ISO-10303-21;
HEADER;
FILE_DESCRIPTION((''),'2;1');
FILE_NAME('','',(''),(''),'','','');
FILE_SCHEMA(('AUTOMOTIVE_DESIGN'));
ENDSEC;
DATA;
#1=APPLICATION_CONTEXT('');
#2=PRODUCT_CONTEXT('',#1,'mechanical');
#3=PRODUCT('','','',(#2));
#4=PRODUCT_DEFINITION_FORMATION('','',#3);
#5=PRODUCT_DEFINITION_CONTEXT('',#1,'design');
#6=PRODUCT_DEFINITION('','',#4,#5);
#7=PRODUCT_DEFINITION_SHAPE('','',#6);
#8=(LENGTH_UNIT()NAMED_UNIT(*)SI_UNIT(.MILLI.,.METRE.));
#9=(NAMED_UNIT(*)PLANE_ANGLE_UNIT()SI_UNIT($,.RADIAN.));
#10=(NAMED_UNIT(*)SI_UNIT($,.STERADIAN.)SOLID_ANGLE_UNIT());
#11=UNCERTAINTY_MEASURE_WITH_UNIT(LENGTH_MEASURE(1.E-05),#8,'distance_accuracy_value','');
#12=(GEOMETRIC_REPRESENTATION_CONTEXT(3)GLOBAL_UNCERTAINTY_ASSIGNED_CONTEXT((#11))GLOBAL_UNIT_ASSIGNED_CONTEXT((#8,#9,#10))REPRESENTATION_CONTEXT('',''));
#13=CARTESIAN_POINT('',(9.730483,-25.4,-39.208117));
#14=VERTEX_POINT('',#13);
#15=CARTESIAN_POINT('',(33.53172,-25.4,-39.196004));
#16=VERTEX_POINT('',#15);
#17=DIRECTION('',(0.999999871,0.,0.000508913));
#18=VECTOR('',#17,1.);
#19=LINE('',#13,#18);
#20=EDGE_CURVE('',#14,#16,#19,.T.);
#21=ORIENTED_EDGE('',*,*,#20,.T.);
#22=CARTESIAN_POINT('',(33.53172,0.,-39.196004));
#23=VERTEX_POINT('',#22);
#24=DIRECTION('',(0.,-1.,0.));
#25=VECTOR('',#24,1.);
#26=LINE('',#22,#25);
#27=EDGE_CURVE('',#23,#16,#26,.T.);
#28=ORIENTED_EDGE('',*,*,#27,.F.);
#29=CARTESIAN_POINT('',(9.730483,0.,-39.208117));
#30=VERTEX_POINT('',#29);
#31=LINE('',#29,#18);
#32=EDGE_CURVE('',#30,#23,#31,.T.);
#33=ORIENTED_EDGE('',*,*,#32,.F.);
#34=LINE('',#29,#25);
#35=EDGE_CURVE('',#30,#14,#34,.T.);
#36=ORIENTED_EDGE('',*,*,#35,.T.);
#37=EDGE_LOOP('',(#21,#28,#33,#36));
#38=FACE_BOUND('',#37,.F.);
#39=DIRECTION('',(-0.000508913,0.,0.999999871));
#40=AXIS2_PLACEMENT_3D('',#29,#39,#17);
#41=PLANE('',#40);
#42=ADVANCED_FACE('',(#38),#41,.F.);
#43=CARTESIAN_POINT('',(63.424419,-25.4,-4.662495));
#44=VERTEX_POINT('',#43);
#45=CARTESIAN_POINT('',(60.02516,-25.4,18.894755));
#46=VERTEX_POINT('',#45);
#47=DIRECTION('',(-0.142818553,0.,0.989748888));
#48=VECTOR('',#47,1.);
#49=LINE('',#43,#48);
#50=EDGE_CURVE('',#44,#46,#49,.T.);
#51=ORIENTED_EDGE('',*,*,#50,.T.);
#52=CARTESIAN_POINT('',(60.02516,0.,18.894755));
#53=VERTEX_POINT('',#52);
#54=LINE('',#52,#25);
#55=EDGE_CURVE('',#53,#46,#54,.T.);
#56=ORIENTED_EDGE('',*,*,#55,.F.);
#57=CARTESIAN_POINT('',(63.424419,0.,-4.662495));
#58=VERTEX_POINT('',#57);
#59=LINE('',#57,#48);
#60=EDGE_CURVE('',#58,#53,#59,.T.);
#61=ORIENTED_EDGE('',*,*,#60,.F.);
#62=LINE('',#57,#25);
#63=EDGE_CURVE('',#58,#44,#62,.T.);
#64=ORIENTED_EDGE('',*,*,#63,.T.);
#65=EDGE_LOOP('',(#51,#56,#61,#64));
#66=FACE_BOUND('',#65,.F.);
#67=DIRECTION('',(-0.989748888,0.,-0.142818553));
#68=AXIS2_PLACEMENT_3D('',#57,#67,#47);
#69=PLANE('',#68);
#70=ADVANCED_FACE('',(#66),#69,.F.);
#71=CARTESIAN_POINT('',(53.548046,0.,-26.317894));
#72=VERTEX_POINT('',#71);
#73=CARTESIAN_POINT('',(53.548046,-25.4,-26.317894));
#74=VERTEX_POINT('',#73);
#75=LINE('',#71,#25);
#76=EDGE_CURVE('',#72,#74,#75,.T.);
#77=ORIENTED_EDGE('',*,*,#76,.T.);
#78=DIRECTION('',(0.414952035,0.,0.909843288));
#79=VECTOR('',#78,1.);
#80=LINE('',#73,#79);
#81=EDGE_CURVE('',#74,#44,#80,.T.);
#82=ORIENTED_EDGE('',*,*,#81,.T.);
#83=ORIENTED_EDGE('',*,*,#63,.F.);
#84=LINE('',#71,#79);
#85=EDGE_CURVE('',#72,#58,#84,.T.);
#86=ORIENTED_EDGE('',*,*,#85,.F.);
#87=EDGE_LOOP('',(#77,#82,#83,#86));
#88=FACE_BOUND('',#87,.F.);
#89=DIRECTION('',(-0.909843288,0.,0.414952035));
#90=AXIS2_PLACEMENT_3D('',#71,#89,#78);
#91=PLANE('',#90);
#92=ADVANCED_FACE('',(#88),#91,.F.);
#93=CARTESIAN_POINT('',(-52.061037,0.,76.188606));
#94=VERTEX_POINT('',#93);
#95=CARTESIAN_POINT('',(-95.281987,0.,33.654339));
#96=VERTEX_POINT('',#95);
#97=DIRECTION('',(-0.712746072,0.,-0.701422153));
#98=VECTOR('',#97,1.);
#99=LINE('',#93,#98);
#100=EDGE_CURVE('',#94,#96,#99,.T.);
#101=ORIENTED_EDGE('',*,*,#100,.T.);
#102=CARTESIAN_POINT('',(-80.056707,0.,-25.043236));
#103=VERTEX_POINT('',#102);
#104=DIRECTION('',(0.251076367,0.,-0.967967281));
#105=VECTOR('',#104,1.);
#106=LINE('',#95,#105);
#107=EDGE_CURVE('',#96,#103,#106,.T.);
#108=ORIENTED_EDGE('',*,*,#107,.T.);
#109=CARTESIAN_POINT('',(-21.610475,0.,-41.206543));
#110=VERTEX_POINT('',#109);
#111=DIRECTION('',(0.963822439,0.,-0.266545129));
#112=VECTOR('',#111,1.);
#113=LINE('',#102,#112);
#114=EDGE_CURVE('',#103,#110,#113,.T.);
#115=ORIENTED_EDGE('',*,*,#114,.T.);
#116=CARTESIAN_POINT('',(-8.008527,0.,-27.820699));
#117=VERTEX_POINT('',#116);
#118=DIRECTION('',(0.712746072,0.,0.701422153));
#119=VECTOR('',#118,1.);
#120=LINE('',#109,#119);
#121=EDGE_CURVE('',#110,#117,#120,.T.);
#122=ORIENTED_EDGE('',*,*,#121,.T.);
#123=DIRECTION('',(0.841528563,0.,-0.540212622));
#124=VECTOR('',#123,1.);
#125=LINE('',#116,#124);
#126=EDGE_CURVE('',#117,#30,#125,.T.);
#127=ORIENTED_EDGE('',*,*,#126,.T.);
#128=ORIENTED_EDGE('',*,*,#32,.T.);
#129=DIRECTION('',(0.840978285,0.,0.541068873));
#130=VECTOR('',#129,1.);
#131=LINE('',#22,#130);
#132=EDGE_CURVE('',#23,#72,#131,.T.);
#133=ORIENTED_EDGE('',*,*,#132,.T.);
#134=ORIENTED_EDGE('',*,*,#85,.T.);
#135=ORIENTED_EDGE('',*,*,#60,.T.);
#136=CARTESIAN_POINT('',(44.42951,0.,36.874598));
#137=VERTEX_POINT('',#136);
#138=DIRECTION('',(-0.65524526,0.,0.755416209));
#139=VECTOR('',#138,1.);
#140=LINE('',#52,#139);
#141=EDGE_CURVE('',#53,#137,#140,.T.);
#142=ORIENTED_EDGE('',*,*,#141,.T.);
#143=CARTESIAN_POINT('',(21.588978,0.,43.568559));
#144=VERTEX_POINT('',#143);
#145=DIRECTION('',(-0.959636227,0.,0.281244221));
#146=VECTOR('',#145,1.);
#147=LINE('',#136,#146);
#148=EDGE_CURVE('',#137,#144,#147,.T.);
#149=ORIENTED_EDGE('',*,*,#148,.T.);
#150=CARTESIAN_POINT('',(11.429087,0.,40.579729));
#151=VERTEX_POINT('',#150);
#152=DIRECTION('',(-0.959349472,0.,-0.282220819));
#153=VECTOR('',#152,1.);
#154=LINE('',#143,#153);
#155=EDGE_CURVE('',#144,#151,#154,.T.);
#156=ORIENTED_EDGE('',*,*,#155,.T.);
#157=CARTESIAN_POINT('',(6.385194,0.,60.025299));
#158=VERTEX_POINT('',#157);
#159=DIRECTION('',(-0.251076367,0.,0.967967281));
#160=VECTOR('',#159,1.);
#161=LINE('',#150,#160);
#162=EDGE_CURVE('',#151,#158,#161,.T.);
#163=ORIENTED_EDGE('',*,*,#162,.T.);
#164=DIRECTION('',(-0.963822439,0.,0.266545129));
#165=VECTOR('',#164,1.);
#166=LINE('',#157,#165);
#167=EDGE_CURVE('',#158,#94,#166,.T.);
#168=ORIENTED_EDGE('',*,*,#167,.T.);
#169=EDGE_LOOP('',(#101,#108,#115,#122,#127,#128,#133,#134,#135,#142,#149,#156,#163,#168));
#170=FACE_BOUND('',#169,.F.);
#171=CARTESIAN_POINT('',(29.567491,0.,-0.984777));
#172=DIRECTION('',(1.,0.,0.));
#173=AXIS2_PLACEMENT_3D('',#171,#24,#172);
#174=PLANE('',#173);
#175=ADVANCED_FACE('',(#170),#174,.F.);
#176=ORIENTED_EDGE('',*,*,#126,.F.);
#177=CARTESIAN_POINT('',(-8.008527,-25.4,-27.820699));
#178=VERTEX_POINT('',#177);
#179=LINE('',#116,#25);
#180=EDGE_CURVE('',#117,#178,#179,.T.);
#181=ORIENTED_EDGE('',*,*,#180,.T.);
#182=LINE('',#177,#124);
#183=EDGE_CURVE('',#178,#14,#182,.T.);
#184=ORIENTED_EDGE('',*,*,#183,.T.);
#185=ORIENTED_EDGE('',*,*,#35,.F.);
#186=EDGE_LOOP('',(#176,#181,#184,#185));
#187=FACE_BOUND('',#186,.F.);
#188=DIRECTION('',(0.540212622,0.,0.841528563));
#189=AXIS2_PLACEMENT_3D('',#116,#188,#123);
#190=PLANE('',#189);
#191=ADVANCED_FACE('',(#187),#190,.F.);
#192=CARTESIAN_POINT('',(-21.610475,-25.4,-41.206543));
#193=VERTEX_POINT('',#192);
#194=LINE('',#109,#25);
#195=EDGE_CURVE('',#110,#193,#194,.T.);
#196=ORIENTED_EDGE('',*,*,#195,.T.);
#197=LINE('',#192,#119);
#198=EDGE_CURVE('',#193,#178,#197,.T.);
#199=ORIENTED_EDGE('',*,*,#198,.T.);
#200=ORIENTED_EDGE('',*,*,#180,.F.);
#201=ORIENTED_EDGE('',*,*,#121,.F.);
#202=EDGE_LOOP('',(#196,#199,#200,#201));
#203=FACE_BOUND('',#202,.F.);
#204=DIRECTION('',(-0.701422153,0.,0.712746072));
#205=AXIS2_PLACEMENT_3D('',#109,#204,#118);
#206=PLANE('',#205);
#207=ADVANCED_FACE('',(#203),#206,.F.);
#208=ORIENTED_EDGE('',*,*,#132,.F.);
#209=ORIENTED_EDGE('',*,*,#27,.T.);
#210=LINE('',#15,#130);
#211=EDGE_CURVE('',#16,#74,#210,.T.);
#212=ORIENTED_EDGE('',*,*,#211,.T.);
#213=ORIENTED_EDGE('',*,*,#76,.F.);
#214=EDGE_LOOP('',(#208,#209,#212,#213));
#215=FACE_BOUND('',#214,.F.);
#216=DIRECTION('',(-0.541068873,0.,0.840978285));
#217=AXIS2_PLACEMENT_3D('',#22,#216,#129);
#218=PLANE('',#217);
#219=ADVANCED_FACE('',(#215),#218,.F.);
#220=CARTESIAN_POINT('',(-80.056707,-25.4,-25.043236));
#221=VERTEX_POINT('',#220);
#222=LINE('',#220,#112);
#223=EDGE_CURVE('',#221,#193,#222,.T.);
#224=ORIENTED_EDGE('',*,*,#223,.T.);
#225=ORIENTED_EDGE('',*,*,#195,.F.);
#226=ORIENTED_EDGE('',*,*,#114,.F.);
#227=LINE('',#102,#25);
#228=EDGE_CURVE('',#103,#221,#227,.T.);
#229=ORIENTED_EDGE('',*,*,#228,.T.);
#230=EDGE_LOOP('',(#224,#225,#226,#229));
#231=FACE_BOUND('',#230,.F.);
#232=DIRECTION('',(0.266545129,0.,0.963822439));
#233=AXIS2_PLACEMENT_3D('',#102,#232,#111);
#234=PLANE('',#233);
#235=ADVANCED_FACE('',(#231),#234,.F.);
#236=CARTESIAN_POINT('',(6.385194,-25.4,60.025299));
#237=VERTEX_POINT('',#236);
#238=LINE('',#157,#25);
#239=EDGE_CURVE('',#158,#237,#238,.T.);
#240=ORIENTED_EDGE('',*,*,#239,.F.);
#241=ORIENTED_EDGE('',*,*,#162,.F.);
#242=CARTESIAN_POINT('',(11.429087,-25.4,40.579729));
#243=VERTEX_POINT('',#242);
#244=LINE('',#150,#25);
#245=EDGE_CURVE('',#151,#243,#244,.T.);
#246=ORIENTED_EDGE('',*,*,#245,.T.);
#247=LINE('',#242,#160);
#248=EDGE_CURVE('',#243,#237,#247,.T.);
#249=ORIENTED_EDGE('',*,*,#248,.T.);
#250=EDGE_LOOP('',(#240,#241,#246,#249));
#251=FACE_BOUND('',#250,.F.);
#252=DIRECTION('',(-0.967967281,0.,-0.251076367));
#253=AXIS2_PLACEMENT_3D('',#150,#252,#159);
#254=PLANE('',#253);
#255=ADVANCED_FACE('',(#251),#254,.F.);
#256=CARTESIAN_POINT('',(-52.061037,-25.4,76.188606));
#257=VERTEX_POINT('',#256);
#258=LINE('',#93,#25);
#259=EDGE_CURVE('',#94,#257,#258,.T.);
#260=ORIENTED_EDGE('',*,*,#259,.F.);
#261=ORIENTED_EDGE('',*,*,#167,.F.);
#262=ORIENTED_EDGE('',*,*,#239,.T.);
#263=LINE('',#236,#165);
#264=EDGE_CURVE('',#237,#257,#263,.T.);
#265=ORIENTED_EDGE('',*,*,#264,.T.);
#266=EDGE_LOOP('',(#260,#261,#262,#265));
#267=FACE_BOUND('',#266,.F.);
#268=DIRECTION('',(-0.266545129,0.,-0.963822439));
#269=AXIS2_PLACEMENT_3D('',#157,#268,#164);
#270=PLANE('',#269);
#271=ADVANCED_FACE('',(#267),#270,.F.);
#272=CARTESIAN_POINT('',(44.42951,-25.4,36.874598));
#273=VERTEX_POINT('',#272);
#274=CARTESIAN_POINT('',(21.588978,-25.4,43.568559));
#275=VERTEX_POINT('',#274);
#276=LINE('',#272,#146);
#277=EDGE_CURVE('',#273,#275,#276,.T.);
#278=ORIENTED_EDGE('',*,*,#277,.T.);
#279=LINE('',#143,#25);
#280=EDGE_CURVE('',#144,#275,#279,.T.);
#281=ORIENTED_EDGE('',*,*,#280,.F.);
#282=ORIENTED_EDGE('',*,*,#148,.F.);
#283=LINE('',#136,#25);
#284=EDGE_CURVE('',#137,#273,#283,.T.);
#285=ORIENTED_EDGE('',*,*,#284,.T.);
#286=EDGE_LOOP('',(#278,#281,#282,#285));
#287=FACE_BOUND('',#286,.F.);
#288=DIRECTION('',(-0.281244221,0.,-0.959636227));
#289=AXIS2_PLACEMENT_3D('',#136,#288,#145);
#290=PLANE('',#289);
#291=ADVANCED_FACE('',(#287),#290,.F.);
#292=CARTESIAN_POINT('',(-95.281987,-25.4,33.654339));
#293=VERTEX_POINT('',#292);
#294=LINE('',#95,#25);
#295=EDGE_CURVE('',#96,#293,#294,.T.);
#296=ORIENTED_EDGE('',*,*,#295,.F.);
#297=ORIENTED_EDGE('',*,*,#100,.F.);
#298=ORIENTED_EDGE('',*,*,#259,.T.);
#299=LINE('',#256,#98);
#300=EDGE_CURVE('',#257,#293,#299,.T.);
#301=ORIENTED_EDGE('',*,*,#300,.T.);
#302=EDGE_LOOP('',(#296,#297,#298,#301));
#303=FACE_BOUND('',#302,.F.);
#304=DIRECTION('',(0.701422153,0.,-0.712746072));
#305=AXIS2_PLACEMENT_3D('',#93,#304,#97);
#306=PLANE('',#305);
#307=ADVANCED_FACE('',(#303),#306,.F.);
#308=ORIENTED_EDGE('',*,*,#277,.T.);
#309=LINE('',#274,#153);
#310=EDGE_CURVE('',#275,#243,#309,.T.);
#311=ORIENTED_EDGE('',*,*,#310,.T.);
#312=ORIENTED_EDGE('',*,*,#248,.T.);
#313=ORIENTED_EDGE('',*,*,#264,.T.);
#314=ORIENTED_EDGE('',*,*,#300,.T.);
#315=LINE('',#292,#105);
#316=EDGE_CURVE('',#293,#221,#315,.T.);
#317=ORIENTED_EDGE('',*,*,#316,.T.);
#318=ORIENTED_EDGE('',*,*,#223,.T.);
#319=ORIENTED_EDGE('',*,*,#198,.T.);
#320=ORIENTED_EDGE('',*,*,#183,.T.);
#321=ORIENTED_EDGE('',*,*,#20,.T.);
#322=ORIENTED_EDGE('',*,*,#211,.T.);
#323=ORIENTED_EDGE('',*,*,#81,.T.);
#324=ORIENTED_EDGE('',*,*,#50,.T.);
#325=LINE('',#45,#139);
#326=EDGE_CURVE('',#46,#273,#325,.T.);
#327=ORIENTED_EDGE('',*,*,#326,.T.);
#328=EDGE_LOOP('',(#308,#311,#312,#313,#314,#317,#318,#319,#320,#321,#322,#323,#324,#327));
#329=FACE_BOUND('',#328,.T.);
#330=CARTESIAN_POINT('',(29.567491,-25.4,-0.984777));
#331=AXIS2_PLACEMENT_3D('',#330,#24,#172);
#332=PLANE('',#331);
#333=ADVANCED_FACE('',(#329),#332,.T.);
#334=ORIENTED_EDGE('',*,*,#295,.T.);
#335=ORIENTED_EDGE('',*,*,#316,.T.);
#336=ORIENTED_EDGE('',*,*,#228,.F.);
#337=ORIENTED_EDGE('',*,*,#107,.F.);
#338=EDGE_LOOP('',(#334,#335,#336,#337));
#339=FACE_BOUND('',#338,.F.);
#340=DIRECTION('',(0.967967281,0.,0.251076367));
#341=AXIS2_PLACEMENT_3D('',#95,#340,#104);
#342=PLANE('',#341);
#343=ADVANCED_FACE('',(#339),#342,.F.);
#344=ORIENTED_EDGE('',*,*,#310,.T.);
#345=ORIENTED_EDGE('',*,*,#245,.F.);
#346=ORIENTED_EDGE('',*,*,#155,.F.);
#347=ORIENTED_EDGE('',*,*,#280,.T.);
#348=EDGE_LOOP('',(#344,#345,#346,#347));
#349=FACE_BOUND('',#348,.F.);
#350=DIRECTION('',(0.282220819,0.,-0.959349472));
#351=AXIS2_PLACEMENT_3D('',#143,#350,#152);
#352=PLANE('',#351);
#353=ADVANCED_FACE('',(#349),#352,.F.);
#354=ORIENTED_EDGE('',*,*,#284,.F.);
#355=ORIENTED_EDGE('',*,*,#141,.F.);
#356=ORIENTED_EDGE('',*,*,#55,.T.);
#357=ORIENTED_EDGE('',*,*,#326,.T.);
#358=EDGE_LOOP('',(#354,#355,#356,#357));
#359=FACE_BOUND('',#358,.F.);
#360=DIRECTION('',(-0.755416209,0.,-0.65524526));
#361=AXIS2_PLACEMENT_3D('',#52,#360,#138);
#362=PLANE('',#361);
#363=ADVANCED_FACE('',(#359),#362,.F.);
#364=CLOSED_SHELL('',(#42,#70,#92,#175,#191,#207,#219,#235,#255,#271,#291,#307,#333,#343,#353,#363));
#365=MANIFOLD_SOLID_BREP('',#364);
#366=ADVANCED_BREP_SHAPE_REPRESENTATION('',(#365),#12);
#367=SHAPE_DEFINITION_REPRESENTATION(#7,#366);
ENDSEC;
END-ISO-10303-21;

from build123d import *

# Parameters (mm, degrees)
F1_DEPTH = 25.4


with BuildPart() as f1:
    # F0 (on Front) → F1 (new body)
    with BuildSketch(Plane.XZ):
        Polygon((11.4290869177, 40.5797288132), (21.6104751913, 1.3277241618), (-8.0085269799, -27.8206992101), (9.7304828863, -39.2081166473), (33.5317198059, -39.1960038763), (53.5480457919, -26.3178937802), (63.4244187723, -4.6624953221), (60.0251601089, 18.8947554972), (44.4295104094, 36.8745979902), (21.5889782597, 43.5685592049), align=None)
        Polygon((-8.0085269799, -27.8206992101), (21.6104751913, 1.3277241618), (11.4290869177, 40.5797288132), (-1.2447287661, 36.8513537529), (-16.8220700226, 18.8556469037), (-20.1973497251, -4.7050515697), (-10.2989404166, -26.350386374), align=None)
        Polygon((-21.6104751913, -41.2065432996), (-8.0085269799, -27.8206992101), (-10.2989404166, -26.350386374), (-20.1973497251, -4.7050515697), (-16.8220700226, 18.8556469037), (-1.2447287661, 36.8513537529), (11.4290869177, 40.5797288132), (6.3851942297, 60.0252988994), (-52.0610371144, 76.1886061758), (-95.281987497, 33.6543387145), (-80.0567065354, -25.0432360232), align=None)
    extrude(amount=F1_DEPTH)


solid = f1.part
